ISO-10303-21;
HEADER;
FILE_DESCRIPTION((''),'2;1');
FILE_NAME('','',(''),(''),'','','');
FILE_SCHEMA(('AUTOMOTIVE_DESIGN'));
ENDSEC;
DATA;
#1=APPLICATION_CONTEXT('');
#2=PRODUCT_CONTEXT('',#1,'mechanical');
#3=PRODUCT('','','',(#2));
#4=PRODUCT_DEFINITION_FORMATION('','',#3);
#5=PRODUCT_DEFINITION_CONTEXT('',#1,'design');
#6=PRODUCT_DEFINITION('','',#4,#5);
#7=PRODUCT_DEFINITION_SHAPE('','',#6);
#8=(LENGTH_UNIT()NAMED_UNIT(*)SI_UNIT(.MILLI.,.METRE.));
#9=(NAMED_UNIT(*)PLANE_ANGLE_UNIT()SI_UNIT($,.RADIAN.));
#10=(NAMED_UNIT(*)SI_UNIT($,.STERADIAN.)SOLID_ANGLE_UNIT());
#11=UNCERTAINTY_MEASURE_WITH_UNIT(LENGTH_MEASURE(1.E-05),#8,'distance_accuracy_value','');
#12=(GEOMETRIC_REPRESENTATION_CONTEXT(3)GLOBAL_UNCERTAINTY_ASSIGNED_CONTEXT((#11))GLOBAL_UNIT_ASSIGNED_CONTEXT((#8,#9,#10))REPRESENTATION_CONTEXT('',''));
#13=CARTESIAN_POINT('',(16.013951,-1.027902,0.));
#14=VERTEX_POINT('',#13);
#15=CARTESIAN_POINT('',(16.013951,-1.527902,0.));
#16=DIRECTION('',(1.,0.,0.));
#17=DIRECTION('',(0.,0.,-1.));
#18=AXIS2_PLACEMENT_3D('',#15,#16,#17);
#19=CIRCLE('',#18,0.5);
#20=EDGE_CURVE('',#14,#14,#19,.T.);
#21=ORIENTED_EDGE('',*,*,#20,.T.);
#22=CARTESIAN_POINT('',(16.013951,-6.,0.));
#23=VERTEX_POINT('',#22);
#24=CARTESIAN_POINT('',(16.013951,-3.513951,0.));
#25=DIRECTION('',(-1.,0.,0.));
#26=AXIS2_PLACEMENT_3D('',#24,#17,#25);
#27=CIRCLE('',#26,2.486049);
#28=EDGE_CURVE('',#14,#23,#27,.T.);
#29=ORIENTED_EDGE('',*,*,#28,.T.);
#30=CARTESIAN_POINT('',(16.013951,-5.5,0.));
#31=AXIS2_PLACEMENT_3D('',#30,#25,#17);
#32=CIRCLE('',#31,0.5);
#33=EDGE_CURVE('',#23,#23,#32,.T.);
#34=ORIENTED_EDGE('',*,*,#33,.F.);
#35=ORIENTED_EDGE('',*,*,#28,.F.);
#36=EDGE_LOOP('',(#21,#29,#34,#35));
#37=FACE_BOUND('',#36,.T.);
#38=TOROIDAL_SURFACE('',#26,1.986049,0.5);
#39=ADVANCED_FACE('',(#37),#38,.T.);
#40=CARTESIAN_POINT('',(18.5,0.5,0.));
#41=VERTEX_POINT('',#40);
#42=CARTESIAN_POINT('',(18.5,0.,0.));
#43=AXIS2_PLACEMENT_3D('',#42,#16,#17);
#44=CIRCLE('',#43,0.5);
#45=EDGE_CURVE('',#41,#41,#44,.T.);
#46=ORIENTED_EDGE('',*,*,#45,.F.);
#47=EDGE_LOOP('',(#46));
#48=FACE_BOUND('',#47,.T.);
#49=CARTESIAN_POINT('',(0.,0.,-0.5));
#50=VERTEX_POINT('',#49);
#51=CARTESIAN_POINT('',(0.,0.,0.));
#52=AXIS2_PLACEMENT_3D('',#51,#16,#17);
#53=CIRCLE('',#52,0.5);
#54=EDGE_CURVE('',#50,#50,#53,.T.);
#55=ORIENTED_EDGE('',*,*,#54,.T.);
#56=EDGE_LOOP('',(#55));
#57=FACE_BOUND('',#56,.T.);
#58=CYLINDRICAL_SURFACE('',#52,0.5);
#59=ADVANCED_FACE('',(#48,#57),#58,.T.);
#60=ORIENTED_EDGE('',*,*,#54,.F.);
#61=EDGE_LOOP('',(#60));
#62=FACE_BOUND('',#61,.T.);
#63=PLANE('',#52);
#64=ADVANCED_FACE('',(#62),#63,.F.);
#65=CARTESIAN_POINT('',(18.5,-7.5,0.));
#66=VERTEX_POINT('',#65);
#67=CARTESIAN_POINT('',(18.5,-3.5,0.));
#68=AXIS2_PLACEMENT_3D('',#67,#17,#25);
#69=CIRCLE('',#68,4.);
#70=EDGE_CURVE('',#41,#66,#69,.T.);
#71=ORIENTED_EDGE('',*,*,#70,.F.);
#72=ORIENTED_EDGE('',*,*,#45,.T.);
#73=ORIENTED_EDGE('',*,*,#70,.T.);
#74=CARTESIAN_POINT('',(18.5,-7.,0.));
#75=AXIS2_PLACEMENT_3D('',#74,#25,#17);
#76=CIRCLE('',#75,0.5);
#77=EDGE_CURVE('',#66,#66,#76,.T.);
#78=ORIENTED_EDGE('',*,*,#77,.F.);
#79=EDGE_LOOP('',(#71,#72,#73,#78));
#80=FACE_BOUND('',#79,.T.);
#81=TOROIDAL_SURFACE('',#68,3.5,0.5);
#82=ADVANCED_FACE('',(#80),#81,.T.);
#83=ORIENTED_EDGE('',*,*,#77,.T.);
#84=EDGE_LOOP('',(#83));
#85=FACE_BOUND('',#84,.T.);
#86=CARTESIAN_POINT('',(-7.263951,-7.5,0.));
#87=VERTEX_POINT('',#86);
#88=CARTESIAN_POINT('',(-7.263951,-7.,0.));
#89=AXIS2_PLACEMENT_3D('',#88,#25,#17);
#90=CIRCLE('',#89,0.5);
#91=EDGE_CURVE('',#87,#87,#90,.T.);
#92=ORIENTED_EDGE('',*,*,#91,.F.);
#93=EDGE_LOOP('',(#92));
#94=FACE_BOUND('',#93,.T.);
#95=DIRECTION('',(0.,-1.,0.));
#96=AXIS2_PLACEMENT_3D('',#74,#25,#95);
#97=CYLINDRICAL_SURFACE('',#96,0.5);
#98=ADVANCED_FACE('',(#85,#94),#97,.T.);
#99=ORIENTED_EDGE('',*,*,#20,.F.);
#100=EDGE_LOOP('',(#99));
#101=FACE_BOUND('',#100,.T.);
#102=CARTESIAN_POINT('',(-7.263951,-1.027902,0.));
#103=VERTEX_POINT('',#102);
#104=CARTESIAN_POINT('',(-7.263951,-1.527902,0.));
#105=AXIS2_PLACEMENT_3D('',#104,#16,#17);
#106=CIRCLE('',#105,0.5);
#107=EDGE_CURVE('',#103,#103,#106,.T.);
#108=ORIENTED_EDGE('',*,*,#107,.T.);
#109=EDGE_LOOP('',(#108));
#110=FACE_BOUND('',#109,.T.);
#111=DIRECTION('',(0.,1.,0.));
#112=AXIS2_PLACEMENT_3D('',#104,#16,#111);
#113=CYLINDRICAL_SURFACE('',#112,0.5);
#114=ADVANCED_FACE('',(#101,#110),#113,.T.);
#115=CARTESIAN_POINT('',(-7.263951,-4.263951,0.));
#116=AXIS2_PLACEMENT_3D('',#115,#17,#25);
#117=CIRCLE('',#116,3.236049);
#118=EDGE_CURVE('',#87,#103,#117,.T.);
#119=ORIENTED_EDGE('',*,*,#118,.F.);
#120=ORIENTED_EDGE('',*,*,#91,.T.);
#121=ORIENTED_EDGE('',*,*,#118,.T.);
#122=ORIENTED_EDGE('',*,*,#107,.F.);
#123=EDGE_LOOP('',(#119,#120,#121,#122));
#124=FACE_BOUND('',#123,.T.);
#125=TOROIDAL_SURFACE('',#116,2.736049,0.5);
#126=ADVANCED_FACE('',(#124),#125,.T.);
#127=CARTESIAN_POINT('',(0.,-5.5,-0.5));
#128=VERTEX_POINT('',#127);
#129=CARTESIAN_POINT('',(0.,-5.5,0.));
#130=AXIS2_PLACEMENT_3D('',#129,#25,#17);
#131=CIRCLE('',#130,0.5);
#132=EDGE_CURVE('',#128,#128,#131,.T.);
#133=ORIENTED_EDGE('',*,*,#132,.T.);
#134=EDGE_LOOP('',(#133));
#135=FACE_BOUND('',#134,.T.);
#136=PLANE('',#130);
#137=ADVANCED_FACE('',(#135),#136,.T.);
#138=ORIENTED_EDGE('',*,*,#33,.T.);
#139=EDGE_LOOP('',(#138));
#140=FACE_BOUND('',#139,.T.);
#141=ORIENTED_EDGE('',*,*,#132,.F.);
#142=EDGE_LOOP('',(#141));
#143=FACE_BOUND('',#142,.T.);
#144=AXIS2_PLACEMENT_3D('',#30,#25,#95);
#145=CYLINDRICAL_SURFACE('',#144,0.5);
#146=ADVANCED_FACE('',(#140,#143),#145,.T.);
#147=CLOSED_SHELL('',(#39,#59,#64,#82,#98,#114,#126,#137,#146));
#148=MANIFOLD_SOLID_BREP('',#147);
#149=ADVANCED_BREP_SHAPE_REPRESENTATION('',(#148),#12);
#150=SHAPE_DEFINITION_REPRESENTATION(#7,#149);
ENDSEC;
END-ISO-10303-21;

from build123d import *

# Parameters (mm, degrees)
SKETCH2_R = 0.5


with BuildPart() as part:
    # Sweep1: sweep along a path in Sketch1
    with BuildLine(Plane.XY) as sweep1_path:
        Line((0, 0), (18.5, 0))
        ThreePointArc((18.5, 0), (22, -3.5), (18.5, -7))
        Line((18.5, -7), (-7.263950986, -7))
        ThreePointArc((-7.263950986, -7), (-10, -4.263950986), (-7.263950986, -1.527901973))
        Line((-7.263950986, -1.527901973), (16.013950986, -1.527901973))
        ThreePointArc((16.013950986, -1.527901973), (18, -3.513950986), (16.013950986, -5.5))
        Line((16.013950986, -5.5), (0, -5.5))
    # Sketch2 → Sweep1 (sweep)
    with BuildSketch(Plane(origin=(0, 0, 0), x_dir=(0, 0, -1), z_dir=(1, 0, 0))):
        Circle(SKETCH2_R)
    sweep(path=sweep1_path.line)


solid = part.part
